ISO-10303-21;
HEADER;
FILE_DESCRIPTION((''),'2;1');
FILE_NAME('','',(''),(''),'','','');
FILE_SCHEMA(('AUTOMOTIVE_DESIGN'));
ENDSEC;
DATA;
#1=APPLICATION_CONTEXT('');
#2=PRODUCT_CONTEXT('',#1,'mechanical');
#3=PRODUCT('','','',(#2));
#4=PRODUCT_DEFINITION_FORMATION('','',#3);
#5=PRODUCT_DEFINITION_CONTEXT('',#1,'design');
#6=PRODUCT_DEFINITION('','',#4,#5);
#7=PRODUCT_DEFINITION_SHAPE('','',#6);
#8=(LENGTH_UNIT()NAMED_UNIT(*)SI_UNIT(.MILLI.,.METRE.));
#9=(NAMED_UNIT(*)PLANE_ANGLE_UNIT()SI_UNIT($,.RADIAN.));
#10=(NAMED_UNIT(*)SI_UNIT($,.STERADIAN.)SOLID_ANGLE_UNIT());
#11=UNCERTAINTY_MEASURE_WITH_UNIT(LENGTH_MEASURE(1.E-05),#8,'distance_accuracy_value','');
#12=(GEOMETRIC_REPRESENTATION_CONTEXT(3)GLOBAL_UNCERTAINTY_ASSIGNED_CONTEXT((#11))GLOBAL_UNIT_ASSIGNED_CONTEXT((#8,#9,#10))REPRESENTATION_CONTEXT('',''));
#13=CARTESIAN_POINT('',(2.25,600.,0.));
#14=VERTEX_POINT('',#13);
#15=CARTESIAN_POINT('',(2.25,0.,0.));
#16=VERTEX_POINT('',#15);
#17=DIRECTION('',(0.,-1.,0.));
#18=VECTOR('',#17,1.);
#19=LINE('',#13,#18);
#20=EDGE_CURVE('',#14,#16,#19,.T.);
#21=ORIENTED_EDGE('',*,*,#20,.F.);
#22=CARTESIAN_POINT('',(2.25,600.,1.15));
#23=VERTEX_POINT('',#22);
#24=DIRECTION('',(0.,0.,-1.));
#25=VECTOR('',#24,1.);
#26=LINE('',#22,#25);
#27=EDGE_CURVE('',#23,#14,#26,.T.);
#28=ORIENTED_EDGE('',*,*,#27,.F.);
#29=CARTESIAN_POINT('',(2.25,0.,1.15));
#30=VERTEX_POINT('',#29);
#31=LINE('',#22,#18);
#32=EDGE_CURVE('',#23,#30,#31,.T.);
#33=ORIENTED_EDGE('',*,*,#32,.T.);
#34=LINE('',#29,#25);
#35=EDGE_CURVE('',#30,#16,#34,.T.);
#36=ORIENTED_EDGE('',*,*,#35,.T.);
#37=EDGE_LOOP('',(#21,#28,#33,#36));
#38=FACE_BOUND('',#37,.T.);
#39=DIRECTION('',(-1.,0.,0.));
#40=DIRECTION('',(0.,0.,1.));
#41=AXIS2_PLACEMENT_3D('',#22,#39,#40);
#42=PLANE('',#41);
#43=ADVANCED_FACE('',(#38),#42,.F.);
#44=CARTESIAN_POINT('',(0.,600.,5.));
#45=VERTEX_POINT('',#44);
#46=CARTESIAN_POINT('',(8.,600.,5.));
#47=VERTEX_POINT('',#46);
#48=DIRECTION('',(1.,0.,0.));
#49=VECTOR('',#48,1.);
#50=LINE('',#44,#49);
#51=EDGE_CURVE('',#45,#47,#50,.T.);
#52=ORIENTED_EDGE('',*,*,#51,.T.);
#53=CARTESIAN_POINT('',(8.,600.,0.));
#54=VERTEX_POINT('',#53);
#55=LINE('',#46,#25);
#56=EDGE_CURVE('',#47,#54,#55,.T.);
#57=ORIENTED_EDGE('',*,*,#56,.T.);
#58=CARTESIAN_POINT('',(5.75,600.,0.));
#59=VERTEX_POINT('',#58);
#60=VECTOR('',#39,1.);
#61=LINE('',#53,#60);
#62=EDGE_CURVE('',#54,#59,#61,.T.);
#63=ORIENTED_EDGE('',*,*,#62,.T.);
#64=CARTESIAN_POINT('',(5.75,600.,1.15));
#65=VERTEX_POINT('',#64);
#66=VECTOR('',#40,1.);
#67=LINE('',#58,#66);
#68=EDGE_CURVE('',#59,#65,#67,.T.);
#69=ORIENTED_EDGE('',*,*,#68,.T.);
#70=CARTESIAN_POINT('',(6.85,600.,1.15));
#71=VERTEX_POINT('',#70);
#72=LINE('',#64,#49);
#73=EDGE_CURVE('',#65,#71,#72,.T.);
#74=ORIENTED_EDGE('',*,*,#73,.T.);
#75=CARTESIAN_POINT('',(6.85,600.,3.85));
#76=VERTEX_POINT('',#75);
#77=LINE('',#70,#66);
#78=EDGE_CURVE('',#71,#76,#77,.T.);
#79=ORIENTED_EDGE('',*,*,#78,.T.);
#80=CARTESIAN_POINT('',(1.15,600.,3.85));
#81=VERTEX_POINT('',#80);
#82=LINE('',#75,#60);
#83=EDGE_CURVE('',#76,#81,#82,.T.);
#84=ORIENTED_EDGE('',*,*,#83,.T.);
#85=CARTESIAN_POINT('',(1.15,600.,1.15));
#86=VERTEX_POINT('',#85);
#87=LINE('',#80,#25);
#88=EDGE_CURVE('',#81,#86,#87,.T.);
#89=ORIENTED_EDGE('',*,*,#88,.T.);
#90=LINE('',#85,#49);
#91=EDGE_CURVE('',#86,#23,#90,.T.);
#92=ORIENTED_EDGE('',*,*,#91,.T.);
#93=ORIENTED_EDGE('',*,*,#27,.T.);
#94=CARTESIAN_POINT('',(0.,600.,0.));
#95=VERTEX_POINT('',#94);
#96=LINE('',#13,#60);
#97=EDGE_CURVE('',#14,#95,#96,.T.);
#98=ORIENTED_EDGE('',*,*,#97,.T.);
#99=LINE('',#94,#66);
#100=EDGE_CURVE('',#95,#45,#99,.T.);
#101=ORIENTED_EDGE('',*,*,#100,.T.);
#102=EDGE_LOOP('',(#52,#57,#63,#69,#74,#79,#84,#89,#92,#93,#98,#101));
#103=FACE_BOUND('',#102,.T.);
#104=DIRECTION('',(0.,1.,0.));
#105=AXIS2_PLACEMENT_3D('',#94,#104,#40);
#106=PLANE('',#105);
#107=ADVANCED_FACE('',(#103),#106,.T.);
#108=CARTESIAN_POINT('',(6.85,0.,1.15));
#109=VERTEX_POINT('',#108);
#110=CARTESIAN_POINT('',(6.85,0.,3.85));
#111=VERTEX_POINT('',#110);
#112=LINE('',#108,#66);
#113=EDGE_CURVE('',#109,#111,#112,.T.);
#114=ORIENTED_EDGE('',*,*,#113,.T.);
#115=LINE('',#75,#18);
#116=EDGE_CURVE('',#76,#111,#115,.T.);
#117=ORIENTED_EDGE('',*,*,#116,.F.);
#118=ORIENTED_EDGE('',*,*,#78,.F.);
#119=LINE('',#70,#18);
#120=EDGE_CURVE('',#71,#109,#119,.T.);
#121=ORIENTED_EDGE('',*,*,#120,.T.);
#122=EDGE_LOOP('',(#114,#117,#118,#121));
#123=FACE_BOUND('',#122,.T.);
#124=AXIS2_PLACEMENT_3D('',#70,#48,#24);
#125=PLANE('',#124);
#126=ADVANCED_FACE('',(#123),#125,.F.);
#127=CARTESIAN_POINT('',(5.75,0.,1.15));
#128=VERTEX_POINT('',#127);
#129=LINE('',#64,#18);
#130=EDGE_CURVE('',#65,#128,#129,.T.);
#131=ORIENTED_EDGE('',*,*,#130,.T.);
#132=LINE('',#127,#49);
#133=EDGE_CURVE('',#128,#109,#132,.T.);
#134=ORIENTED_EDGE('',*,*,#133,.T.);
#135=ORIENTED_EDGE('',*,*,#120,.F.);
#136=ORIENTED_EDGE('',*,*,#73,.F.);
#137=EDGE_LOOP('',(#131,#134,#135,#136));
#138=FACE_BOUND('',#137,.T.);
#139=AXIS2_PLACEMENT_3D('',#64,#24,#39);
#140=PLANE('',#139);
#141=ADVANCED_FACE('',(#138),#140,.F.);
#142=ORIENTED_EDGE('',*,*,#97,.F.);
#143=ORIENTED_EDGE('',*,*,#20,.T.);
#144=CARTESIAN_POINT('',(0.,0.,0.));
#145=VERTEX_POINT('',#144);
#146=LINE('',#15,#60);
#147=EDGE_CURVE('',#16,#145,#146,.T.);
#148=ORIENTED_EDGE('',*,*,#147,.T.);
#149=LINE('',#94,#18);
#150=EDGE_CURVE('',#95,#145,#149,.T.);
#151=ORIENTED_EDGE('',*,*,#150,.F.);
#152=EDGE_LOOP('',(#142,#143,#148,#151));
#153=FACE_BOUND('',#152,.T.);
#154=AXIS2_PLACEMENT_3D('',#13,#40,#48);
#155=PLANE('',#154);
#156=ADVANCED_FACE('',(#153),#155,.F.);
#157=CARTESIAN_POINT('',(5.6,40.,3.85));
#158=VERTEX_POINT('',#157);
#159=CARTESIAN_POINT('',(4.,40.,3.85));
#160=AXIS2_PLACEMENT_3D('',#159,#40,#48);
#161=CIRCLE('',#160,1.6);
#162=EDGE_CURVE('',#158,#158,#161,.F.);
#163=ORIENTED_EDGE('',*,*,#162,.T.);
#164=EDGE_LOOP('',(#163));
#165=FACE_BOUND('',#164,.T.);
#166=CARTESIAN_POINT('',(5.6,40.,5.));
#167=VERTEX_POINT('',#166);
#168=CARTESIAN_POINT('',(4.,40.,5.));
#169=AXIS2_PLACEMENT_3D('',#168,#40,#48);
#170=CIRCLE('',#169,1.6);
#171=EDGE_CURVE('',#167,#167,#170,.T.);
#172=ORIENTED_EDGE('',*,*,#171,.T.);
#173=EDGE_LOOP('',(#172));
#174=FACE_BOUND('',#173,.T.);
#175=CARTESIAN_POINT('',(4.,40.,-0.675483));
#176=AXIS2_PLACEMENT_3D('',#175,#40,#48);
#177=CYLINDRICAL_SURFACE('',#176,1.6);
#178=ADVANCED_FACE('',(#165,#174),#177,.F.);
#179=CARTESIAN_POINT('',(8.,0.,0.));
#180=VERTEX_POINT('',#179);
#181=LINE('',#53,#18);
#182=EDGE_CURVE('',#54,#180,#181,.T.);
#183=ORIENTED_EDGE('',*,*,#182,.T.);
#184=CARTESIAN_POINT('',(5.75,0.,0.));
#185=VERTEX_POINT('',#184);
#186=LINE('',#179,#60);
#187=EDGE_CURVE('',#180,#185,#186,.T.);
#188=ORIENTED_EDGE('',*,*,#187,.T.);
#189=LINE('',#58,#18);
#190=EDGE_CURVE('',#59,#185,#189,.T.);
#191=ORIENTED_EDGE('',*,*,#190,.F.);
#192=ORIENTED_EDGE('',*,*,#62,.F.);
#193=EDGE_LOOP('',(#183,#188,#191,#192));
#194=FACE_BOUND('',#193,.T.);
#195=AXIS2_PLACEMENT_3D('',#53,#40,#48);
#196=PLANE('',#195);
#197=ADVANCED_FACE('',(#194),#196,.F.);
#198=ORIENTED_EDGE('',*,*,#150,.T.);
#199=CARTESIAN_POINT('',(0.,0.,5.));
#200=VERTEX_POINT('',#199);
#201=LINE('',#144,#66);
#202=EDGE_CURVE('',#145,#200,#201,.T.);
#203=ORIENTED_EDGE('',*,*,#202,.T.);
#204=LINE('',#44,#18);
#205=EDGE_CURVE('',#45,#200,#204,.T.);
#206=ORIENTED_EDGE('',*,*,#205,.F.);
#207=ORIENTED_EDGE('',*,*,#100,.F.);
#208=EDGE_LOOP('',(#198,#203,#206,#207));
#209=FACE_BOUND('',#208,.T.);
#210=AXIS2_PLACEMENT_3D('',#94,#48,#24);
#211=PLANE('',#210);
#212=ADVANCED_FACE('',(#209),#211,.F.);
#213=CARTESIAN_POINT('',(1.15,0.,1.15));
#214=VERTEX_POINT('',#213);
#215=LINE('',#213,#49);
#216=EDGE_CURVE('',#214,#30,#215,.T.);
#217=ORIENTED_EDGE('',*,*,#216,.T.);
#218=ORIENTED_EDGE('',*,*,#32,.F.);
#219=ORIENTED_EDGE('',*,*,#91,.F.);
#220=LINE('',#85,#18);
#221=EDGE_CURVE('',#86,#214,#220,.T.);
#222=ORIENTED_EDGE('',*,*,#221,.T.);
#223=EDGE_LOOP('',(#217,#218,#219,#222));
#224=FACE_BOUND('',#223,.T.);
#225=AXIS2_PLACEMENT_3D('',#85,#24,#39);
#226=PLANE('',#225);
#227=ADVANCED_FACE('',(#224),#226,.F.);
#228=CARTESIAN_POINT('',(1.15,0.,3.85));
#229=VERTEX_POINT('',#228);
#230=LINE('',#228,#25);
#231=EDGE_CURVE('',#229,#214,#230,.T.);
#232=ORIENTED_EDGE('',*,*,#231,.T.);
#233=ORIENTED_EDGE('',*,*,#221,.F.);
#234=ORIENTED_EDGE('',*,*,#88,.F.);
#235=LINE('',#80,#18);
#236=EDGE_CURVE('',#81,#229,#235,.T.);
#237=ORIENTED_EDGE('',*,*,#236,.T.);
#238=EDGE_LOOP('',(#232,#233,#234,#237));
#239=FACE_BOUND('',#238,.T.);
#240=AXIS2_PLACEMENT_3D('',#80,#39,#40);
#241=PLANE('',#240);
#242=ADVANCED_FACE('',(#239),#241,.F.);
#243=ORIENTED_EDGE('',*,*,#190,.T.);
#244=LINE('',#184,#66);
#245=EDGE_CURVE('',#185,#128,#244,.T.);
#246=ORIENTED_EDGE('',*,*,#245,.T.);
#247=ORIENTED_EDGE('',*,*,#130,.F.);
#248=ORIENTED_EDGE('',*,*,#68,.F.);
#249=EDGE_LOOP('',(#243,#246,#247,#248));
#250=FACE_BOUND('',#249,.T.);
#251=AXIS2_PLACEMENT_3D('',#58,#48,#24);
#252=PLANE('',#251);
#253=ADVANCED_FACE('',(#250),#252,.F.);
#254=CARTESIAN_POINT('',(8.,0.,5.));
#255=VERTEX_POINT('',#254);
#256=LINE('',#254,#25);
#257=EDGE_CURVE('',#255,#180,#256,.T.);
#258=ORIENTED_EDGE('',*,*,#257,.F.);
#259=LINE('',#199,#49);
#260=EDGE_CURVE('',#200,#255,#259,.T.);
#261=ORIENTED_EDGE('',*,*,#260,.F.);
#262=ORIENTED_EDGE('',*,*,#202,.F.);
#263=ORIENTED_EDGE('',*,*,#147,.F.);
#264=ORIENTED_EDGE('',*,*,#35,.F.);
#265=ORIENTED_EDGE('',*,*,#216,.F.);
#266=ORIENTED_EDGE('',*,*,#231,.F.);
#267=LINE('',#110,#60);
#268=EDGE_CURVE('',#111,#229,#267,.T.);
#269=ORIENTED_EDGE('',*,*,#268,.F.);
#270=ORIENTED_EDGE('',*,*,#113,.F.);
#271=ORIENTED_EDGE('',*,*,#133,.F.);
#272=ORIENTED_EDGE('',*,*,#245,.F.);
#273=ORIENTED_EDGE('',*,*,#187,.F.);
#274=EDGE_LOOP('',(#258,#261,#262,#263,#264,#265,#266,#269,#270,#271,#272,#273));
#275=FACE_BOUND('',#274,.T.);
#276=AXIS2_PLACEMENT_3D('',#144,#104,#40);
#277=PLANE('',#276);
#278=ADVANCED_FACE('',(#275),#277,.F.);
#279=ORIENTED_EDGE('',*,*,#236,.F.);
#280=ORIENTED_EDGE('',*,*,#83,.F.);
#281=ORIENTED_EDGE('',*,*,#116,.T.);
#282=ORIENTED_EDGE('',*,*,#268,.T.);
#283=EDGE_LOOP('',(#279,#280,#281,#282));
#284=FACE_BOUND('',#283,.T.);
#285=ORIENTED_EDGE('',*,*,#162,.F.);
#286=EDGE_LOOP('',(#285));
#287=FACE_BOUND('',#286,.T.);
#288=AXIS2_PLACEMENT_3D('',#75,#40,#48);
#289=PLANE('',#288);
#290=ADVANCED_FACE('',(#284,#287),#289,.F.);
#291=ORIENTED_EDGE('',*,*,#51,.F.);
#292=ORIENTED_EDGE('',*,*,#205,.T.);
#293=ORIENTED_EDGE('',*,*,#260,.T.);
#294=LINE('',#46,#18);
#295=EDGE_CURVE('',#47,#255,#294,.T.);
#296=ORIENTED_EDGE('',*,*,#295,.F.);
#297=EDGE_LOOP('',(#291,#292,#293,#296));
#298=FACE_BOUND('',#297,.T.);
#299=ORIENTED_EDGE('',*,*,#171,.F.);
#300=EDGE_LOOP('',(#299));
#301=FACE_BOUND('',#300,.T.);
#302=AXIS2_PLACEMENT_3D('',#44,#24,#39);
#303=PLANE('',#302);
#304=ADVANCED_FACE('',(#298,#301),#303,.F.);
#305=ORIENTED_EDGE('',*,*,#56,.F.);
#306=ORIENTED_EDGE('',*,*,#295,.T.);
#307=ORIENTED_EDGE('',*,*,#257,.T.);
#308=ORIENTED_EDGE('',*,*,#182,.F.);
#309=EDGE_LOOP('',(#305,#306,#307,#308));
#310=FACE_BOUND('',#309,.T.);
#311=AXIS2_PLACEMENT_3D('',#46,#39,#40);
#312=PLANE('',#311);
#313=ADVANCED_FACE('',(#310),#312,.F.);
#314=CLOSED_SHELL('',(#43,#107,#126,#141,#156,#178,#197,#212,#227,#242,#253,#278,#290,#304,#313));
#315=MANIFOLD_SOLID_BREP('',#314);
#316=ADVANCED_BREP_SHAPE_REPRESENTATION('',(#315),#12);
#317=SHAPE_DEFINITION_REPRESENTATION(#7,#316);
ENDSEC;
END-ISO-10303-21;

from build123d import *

# Parameters (mm, degrees)
EXTRUDE_1_DEPTH     = 600
SKETCH_2_R          = 1.6
CUT_EXTRUDE_1_DEPTH = 1.15


with BuildPart() as part:
    # 草图1 → 凸台-拉伸1 (new body)
    with BuildSketch(Plane(origin=(0, 0, 0), x_dir=(1, 0, 0), z_dir=(0, 1, 0))):
        Polygon((0, -5), (8, -5), (8, 0), (5.75, 0), (5.75, -1.15), (6.85, -1.15), (6.85, -3.85), (1.15, -3.85), (1.15, -1.15), (2.25, -1.15), (2.25, 0), (0, 0), align=None)
    extrude(amount=EXTRUDE_1_DEPTH)

    # 草图2 → 切除-拉伸1 (cut)
    with BuildSketch(Plane.XY.offset(5)):
        with Locations((4, 40)):
            Circle(SKETCH_2_R)
    extrude(amount=-CUT_EXTRUDE_1_DEPTH, mode=Mode.SUBTRACT)


solid = part.part
